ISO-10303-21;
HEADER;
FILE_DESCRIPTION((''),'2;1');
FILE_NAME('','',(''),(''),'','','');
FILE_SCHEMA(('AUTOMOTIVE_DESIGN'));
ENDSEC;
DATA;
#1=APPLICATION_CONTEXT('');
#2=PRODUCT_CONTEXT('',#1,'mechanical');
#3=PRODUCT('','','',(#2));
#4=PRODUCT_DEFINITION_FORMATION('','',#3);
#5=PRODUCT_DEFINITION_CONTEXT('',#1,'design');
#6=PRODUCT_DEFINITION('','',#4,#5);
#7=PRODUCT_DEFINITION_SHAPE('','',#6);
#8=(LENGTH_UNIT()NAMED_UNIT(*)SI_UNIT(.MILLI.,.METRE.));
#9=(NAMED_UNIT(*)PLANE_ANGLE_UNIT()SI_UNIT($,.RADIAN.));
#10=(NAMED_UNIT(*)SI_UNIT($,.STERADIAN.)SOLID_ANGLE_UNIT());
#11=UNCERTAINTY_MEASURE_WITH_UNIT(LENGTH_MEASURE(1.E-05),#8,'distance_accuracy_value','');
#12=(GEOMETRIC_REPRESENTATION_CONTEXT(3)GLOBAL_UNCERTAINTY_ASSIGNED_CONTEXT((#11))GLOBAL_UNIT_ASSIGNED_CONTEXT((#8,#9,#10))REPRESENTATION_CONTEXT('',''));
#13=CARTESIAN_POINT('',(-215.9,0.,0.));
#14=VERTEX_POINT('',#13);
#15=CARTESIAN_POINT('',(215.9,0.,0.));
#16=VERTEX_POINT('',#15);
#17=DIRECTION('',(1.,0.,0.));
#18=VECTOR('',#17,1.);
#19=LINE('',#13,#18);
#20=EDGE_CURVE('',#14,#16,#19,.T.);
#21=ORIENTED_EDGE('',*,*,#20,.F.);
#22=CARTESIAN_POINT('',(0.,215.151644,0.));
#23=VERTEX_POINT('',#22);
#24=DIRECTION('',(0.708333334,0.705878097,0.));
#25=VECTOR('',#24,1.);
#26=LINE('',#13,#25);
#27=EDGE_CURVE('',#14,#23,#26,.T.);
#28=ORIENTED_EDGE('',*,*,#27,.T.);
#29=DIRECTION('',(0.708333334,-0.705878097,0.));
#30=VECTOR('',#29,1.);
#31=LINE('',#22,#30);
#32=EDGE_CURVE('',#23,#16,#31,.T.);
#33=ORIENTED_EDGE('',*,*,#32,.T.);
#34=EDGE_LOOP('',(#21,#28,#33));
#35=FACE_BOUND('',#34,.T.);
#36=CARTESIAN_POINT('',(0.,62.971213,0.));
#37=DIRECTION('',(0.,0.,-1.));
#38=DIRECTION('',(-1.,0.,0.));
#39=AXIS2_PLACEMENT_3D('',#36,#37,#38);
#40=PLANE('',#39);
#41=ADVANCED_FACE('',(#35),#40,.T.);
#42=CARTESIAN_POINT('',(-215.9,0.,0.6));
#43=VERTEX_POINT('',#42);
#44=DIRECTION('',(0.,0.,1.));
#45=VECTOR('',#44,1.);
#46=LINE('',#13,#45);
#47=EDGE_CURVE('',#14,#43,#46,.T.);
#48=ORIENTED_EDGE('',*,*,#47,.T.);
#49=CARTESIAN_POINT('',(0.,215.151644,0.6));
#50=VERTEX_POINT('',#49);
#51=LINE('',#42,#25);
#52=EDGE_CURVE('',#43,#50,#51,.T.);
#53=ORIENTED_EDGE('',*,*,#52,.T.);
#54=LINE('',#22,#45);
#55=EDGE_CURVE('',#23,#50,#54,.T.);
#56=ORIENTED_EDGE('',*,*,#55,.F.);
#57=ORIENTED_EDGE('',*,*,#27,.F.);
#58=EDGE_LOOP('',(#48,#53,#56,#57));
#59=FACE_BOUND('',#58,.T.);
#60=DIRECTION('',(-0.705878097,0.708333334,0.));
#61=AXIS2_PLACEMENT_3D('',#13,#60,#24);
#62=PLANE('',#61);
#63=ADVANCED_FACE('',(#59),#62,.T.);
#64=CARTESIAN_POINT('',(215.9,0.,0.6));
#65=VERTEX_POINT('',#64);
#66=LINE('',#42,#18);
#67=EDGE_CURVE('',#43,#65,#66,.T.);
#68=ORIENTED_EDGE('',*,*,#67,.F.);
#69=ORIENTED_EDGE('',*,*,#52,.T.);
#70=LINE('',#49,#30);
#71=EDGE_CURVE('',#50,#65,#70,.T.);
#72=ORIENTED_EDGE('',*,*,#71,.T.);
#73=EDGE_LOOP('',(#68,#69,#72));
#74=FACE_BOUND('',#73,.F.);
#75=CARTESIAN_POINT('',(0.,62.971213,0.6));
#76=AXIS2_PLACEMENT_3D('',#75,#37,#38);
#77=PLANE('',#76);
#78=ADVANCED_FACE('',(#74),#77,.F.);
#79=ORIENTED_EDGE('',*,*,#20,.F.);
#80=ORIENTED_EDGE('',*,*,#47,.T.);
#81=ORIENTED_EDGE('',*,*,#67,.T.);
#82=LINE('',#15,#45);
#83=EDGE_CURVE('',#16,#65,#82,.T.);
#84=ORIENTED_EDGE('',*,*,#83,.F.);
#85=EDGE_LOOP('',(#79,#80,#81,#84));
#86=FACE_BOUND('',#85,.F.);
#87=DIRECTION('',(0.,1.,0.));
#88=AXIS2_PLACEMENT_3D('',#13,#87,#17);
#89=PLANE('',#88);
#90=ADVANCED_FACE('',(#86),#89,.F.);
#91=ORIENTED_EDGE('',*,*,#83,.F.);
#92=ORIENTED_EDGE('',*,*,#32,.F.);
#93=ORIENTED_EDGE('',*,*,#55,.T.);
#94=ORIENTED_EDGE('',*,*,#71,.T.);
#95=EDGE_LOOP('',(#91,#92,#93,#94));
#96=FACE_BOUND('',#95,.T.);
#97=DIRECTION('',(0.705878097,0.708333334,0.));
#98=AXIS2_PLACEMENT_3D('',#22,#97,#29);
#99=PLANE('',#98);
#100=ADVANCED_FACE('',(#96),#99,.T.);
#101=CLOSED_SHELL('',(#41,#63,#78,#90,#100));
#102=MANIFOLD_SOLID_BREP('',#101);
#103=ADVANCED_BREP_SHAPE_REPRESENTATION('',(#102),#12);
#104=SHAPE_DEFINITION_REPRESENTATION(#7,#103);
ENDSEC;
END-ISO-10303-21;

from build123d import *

# Parameters (mm, degrees)
PAD_DEPTH = 0.6


with BuildPart() as part:
    # Sketch → Pad (new body)
    with BuildSketch(Plane.XY):
        Polygon((-215.9, 0), (0, 215.151644), (215.9, 0), (0, 0), align=None)
    extrude(amount=PAD_DEPTH)


solid = part.part
